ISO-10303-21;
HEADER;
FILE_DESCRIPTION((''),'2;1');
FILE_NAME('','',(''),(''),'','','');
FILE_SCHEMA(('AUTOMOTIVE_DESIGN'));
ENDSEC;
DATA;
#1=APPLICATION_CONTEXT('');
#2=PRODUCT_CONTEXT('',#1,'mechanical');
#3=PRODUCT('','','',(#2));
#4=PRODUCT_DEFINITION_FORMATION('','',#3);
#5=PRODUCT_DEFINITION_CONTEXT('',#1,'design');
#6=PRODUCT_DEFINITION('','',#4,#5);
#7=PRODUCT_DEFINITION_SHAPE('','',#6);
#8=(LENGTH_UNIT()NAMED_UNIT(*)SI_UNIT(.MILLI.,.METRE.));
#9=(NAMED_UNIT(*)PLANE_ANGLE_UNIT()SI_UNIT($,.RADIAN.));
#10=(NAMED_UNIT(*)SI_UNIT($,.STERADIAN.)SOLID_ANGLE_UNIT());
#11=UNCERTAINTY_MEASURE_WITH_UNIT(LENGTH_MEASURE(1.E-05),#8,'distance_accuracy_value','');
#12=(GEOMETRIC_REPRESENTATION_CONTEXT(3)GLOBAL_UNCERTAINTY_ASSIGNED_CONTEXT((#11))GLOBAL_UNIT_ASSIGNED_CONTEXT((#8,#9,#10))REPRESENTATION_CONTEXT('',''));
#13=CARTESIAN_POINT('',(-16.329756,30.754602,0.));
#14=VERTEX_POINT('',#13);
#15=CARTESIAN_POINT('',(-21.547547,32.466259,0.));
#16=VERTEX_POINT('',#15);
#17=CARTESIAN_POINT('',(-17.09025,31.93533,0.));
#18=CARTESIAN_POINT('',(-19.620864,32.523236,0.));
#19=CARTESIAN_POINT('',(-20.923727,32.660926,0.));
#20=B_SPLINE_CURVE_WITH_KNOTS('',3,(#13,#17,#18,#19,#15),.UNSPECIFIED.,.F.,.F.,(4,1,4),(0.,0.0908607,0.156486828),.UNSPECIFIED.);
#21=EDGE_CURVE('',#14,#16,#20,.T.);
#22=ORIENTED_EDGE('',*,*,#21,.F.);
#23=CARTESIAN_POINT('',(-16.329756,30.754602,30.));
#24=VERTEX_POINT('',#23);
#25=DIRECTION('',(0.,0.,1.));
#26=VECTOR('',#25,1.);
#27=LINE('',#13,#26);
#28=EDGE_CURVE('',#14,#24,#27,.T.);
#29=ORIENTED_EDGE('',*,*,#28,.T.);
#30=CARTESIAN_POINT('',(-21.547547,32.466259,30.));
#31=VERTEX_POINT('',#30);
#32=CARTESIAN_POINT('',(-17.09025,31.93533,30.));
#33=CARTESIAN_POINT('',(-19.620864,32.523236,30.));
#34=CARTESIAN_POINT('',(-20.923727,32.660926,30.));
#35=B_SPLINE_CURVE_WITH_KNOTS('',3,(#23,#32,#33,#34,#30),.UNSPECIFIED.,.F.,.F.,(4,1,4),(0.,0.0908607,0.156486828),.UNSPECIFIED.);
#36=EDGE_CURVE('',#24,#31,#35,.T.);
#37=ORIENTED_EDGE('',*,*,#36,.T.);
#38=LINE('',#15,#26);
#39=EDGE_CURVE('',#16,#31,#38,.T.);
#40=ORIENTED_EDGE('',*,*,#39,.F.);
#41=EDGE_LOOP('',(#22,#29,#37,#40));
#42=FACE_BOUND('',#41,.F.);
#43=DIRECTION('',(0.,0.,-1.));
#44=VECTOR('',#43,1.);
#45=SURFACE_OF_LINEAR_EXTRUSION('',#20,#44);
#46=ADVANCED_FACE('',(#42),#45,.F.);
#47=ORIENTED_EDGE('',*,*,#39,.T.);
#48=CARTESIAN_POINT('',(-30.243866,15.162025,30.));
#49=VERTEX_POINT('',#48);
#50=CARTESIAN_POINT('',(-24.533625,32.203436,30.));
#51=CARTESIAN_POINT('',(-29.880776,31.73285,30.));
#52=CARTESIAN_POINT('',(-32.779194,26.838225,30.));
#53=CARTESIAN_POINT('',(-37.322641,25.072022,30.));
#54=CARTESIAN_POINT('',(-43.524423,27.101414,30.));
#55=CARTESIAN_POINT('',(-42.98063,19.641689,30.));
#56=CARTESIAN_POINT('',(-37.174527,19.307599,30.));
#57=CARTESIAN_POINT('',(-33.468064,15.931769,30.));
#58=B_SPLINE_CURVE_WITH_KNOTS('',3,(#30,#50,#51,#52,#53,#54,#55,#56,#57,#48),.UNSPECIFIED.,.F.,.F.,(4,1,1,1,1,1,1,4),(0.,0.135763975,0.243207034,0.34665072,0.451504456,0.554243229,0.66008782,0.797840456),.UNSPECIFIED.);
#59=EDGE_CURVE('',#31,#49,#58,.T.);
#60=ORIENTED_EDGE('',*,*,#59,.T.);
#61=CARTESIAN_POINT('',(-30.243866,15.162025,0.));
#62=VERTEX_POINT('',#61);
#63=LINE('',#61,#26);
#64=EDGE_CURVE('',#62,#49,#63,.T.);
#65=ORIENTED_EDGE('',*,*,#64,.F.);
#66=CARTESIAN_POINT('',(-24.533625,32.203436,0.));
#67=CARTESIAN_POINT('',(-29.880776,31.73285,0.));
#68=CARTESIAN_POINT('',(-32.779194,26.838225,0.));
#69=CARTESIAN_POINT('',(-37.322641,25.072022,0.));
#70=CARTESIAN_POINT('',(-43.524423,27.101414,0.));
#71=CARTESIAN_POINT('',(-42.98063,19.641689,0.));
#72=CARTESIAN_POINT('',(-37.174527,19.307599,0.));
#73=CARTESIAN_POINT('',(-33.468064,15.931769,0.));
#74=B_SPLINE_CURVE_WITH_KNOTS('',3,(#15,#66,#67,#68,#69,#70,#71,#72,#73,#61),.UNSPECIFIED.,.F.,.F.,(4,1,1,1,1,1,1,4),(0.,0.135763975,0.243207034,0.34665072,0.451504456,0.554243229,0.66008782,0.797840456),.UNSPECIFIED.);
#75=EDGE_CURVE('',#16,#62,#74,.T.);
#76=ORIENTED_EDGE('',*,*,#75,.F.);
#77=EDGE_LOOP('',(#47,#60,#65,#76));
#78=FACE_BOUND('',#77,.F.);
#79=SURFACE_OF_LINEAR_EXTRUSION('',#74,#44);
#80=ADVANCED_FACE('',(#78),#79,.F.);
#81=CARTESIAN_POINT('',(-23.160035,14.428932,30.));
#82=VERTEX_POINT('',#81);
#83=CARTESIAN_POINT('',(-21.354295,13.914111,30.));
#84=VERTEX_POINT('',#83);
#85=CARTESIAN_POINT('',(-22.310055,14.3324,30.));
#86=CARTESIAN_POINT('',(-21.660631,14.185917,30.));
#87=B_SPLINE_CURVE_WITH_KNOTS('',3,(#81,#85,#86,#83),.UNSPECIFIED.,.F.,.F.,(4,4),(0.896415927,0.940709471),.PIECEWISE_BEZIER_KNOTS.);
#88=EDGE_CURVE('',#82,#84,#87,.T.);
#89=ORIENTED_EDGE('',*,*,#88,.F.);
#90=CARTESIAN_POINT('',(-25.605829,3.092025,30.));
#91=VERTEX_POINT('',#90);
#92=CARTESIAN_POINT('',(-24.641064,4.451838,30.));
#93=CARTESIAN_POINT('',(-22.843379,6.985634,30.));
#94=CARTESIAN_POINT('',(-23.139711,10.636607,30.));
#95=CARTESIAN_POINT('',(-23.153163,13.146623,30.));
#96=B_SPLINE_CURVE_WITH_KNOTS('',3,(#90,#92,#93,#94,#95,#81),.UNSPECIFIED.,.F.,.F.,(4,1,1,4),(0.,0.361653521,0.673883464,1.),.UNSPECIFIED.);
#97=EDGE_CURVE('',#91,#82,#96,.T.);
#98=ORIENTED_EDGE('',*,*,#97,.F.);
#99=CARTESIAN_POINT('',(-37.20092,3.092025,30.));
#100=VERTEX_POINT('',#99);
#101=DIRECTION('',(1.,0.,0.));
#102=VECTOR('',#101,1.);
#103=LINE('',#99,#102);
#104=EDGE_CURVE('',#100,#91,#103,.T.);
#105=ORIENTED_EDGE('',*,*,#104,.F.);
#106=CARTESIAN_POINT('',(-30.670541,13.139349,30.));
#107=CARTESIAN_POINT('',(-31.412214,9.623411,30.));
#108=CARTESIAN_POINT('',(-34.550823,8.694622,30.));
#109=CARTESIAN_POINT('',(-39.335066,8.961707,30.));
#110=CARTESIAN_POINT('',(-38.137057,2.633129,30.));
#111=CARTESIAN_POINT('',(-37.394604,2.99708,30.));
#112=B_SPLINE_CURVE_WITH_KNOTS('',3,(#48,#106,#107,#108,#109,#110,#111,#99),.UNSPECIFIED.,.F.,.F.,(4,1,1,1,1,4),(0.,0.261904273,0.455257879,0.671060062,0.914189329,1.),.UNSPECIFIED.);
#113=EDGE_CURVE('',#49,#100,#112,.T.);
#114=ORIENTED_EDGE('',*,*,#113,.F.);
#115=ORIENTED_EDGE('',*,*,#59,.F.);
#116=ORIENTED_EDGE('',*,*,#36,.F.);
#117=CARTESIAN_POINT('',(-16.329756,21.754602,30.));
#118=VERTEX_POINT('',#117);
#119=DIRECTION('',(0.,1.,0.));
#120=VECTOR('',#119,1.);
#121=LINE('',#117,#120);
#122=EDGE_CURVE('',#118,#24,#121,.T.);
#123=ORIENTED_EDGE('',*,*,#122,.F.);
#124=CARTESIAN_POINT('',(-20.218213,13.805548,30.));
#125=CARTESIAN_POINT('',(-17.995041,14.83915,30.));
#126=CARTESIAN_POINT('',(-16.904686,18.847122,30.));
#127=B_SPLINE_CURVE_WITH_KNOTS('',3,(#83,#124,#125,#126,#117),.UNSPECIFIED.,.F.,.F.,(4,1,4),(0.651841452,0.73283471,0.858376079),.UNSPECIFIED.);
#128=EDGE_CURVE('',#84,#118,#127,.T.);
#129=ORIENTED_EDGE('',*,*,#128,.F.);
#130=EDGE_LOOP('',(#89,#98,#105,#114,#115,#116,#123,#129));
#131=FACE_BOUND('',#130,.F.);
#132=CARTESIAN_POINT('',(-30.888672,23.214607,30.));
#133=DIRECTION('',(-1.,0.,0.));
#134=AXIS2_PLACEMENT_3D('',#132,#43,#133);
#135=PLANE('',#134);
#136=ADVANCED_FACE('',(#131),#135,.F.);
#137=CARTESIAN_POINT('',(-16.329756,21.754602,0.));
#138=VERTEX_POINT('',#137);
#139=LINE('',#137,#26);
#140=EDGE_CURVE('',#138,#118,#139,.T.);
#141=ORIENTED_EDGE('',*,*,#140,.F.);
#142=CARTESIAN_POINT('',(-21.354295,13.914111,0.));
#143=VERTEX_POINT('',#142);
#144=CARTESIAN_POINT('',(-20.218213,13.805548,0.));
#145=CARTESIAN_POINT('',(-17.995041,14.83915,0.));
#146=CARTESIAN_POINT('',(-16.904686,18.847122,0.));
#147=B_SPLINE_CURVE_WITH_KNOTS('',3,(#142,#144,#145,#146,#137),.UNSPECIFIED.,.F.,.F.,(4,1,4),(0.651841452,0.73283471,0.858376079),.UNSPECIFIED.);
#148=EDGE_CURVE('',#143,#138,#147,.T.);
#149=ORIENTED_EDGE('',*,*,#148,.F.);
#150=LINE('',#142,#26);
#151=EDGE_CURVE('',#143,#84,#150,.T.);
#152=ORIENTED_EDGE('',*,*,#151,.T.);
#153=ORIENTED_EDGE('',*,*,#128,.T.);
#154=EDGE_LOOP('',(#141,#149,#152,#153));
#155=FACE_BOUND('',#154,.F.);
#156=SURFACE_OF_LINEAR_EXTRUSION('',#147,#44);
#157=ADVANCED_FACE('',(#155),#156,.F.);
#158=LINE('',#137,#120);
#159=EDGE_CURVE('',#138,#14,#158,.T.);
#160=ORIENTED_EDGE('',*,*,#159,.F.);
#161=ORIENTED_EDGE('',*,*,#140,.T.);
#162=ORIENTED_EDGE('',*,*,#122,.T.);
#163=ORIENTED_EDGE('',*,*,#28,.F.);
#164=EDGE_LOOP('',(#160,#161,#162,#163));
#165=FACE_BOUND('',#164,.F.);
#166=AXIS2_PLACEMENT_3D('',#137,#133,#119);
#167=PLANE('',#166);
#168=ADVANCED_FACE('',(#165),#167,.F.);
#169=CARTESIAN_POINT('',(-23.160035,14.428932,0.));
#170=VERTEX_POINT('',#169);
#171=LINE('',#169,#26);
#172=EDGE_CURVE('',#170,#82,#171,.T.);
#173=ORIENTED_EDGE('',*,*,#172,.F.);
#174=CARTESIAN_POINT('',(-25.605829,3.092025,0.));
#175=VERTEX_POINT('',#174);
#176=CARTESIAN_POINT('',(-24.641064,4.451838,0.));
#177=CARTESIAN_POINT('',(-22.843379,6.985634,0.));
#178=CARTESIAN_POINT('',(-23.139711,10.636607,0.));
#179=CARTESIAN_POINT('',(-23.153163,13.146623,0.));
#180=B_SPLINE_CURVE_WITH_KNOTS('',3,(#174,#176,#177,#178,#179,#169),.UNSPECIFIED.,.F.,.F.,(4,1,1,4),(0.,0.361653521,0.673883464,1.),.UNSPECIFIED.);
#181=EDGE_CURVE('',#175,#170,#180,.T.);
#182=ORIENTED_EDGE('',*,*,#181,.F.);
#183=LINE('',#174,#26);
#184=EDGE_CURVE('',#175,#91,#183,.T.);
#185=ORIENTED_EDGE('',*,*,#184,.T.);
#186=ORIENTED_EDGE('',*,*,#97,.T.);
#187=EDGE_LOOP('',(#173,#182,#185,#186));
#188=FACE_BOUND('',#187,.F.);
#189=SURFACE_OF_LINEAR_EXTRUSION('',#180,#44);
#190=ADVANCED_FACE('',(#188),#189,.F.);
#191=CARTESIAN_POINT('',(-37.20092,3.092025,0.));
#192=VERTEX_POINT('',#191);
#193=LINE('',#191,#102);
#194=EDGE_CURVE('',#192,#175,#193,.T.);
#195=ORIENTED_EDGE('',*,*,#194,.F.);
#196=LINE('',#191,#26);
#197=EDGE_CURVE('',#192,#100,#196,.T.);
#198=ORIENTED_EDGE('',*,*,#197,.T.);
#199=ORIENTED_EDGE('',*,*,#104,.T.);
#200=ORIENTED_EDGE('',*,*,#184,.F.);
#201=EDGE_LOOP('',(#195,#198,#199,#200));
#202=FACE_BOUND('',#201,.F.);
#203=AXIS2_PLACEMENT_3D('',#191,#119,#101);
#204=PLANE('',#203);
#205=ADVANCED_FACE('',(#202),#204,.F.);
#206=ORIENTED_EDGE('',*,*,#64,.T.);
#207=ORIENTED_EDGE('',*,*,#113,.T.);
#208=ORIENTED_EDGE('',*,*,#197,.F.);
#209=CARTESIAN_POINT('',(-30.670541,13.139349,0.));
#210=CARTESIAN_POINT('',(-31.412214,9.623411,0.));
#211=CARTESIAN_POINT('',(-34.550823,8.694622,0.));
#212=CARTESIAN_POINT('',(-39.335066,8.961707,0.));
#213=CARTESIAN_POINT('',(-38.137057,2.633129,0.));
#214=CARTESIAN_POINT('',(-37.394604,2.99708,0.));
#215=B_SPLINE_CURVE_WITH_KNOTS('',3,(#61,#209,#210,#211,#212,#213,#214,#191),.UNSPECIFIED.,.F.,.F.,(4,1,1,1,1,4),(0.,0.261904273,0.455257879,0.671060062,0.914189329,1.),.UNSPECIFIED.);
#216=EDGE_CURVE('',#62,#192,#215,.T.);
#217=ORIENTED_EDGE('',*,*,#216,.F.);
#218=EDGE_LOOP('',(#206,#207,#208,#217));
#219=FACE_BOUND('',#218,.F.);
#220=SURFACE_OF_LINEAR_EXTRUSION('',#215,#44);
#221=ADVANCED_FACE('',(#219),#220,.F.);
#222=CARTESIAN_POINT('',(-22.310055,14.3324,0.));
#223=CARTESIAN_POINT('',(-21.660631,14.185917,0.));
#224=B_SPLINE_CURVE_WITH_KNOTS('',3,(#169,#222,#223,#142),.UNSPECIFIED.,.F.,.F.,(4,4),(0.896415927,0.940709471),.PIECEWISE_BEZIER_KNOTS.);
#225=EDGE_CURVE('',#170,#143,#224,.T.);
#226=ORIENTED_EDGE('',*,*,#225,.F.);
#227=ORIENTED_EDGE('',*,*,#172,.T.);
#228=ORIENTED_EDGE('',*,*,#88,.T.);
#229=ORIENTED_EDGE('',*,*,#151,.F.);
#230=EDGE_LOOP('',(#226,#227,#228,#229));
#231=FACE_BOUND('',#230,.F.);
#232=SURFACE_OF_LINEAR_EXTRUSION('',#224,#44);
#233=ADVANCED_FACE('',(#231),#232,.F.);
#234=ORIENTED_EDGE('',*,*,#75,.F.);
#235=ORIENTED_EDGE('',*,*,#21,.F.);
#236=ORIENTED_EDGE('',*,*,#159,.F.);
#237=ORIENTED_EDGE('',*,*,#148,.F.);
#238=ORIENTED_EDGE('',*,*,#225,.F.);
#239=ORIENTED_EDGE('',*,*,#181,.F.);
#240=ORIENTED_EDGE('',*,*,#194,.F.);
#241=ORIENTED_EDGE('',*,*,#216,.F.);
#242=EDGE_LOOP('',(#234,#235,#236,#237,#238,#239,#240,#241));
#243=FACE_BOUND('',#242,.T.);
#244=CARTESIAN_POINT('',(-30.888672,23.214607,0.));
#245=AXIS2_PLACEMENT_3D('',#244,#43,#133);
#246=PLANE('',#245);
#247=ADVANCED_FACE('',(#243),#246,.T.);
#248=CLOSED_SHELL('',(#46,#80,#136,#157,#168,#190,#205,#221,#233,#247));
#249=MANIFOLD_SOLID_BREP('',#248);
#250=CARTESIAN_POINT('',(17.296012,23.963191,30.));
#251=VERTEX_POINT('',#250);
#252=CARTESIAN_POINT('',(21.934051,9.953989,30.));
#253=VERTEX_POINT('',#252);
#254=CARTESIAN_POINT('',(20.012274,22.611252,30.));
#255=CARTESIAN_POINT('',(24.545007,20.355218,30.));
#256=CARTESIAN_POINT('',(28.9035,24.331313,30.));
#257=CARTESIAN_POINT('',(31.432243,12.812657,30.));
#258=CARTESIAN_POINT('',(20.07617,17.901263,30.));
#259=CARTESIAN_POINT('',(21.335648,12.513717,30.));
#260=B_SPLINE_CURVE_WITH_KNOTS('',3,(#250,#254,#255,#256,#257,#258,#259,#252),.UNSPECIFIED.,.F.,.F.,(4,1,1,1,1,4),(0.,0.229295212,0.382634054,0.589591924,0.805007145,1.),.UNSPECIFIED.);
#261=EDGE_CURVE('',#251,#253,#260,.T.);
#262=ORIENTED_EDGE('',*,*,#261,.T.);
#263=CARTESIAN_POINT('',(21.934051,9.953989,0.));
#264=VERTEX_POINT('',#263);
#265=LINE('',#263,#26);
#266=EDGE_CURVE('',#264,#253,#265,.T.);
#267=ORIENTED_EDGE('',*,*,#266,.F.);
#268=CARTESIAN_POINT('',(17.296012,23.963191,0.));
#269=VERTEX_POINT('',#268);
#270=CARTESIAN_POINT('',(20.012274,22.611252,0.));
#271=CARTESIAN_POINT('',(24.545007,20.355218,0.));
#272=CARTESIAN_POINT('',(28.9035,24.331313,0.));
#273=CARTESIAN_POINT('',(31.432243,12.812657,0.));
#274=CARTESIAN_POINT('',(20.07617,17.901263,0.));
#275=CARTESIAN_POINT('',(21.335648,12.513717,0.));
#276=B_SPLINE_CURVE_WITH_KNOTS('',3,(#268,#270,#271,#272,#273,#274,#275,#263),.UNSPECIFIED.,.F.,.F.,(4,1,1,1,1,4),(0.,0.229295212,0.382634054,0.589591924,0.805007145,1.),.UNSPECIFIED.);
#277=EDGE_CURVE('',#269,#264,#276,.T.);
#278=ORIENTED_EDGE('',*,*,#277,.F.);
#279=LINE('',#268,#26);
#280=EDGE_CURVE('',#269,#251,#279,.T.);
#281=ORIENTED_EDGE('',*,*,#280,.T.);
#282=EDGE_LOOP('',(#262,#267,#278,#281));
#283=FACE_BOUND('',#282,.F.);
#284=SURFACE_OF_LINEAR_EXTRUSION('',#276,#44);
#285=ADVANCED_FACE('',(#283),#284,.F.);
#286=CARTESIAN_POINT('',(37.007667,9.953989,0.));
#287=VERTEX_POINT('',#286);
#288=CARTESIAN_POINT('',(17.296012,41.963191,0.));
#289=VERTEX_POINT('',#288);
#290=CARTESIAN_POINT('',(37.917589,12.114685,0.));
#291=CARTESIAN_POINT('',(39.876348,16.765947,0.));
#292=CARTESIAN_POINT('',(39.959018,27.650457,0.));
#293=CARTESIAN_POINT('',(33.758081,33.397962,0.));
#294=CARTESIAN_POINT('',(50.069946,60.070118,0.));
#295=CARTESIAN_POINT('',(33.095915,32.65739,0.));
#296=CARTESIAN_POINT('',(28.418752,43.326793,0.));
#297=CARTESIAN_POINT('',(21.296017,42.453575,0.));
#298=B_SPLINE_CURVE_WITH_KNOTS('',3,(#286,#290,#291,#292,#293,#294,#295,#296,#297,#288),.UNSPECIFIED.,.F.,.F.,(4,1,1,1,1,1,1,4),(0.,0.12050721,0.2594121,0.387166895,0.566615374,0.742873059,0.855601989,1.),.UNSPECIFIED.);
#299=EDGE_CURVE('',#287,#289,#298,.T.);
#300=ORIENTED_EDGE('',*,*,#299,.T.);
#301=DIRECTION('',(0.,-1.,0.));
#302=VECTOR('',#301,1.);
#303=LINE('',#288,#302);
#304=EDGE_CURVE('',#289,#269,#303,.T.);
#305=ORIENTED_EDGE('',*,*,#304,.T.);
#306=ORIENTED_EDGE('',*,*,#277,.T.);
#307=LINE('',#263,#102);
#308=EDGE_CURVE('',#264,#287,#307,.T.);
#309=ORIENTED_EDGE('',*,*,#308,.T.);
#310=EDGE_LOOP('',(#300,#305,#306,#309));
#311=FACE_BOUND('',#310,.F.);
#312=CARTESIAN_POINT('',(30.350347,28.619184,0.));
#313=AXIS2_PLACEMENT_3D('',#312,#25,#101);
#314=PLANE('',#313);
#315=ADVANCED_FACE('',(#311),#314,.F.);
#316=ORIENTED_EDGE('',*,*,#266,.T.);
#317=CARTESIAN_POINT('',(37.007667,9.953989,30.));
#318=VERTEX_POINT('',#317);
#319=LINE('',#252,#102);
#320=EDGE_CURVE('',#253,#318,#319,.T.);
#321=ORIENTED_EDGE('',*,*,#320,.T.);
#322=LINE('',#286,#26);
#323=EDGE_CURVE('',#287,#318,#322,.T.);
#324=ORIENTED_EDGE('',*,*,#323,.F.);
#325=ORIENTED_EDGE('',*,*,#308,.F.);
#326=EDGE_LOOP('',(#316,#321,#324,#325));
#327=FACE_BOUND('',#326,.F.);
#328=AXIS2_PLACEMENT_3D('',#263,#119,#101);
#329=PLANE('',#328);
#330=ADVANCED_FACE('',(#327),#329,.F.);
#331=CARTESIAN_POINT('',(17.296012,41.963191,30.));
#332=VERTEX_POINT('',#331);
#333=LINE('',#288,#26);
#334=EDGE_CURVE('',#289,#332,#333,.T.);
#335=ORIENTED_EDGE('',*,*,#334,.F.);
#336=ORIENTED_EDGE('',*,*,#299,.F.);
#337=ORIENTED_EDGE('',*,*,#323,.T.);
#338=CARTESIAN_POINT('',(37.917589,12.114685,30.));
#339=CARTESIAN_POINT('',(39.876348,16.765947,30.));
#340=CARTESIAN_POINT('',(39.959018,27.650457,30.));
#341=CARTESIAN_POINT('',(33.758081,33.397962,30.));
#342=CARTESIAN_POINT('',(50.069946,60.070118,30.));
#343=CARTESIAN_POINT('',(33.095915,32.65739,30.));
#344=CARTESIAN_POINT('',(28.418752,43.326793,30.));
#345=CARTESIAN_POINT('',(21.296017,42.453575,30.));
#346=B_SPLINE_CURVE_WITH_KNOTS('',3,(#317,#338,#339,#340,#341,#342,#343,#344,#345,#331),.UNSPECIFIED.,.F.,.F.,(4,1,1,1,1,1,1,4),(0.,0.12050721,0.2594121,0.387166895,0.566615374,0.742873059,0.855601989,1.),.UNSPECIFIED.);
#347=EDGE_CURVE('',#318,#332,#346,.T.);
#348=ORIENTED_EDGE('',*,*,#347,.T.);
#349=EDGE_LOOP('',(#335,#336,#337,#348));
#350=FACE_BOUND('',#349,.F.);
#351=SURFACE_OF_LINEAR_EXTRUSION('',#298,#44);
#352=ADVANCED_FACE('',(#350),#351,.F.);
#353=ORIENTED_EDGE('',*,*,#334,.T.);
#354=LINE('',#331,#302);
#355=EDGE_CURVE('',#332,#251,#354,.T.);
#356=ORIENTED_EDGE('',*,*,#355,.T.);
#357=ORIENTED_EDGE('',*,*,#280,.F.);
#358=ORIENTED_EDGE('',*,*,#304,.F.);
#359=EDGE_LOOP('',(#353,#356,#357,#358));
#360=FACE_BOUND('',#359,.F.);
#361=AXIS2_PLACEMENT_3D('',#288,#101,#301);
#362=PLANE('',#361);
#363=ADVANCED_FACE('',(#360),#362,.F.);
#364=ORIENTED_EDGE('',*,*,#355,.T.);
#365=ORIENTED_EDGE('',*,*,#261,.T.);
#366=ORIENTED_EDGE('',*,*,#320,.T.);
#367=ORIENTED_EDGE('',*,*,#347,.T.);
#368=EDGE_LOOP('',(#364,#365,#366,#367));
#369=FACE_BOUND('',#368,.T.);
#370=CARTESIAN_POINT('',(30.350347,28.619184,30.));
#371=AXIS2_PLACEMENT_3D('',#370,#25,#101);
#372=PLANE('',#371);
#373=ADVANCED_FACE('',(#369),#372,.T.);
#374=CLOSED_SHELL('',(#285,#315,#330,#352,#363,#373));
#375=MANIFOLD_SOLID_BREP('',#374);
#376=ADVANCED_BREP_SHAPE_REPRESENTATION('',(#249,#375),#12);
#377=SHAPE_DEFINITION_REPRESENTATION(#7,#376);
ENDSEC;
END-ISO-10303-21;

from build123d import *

# Parameters (mm, degrees)
F2_DEPTH = 30
F3_DEPTH = 30


with BuildPart() as f2:
    # F1 (on Top) → F2 (new body)
    with BuildSketch(Plane.XY):
        with BuildLine():
            add(Edge.make_bspline(
                [(37.0076671243, 9.9539892003), (37.9175886164, 12.1146848995), (39.8763481432, 16.7659469284), (39.9590176124, 27.6504573191), (33.7580814145, 33.3979621242), (50.0699459042, 60.0701179371), (33.095915406, 32.6573904435), (28.4187519932, 43.3267933517), (21.2960166058, 42.4535748911), (17.296012491, 41.9631906152)],
                knots=[0, 0, 0, 0, 0.1205072096, 0.2594120998, 0.3871668949, 0.5666153744, 0.742873059, 0.8556019891, 1, 1, 1, 1], degree=3))
            Line((17.296012491, 41.9631906152), (17.296012491, 23.9631906152))
            add(Edge.make_bspline(
                [(17.296012491, 23.9631906152), (20.0122736858, 22.6112520056), (24.5450069429, 20.3552181937), (28.9034998463, 24.3313131247), (31.432242702, 12.8126568368), (20.0761697061, 17.9012629525), (21.3356483018, 12.5137170103), (21.9340510666, 9.9539892003)],
                knots=[0, 0, 0, 0, 0.229295212, 0.3826340542, 0.5895919236, 0.8050071446, 1, 1, 1, 1], degree=3))
            Line((21.9340510666, 9.9539892003), (37.0076671243, 9.9539892003))
        make_face()
    extrude(amount=F2_DEPTH)


with BuildPart() as f3:
    # F0 (on Top) → F3 (new body)
    with BuildSketch(Plane.XY):
        with BuildLine():
            add(Edge.make_bspline(
                [(-21.5475466102, 32.4662588537), (-22.2888866108, 32.2349192702), (-24.2464417713, 30.8823069643), (-24.6953554051, 26.1124563828), (-26.1362004522, 21.2231436019), (-26.5405540801, 16.6927466993), (-24.1409904143, 14.8783482321), (-23.1600351959, 14.4289317055)],
                knots=[0.1564868276, 0.1564868276, 0.1564868276, 0.1564868276, 0.2344760984, 0.335948607, 0.4450906712, 0.5469342906, 0.6115797149, 0.6115797149, 0.6115797149, 0.6115797149], degree=3))
            add(Edge.make_bspline(
                [(-21.5475466102, 32.4662588537), (-24.5336247449, 32.2034363132), (-29.8807755924, 31.7328495951), (-32.7791935338, 26.8382250868), (-37.3226405867, 25.0720223983), (-43.5244226997, 27.1014139523), (-42.9806296382, 19.6416894129), (-37.1745272751, 19.3075990242), (-33.4680644468, 15.9317694322), (-30.2438661456, 15.1620247082)],
                knots=[0, 0, 0, 0, 0.1357639755, 0.2432070338, 0.3466507203, 0.4515044556, 0.5542432293, 0.6600878203, 0.7978404564, 0.7978404564, 0.7978404564, 0.7978404564], degree=3))
            add(Edge.make_bspline(
                [(-30.2438661456, 15.1620247082), (-27.9366372323, 14.6111971482), (-25.051670431, 14.6437643942), (-23.1600351959, 14.4289317055)],
                knots=[0.7978404564, 0.7978404564, 0.7978404564, 0.7978404564, 0.896415927, 0.896415927, 0.896415927, 0.896415927], degree=3))
        make_face()
        with BuildLine():
            Line((-16.3297560066, 21.7546023577), (-16.3297560066, 30.7546023577))
            add(Edge.make_bspline(
                [(-16.3297560066, 30.7546023577), (-17.0902502413, 31.9353296109), (-19.6208639345, 32.5232364267), (-20.9237265297, 32.6609256429), (-21.5475466102, 32.4662588537)],
                knots=[0, 0, 0, 0, 0.0908607004, 0.1564868276, 0.1564868276, 0.1564868276, 0.1564868276], degree=3))
            add(Edge.make_bspline(
                [(-21.5475466102, 32.4662588537), (-22.2888866108, 32.2349192702), (-24.2464417713, 30.8823069643), (-24.6953554051, 26.1124563828), (-26.1362004522, 21.2231436019), (-26.5405540801, 16.6927466993), (-24.1409904143, 14.8783482321), (-23.1600351959, 14.4289317055)],
                knots=[0.1564868276, 0.1564868276, 0.1564868276, 0.1564868276, 0.2344760984, 0.335948607, 0.4450906712, 0.5469342906, 0.6115797149, 0.6115797149, 0.6115797149, 0.6115797149], degree=3))
            add(Edge.make_bspline(
                [(-23.1600351959, 14.4289317055), (-22.3100546935, 14.3323995659), (-21.660630983, 14.1859165953), (-21.3542953134, 13.9141110703)],
                knots=[0.896415927, 0.896415927, 0.896415927, 0.896415927, 0.9407094707, 0.9407094707, 0.9407094707, 0.9407094707], degree=3))
            add(Edge.make_bspline(
                [(-21.3542953134, 13.9141110703), (-20.2182134486, 13.805548486), (-17.9950406075, 14.8391499606), (-16.904685637, 18.8471224035), (-16.3297560066, 21.7546023577)],
                knots=[0.651841452, 0.651841452, 0.651841452, 0.651841452, 0.7328347102, 0.8583760794, 0.8583760794, 0.8583760794, 0.8583760794], degree=3))
        make_face()
        with BuildLine():
            add(Edge.make_bspline(
                [(-25.6058294326, 3.0920247082), (-24.641064362, 4.4518383968), (-22.8433790374, 6.9856336043), (-23.1397111625, 10.6366070039), (-23.1531629745, 13.1466225074), (-23.1600351959, 14.4289317055)],
                knots=[0, 0, 0, 0, 0.3616535212, 0.673883464, 1, 1, 1, 1], degree=3))
            add(Edge.make_bspline(
                [(-30.2438661456, 15.1620247082), (-27.9366372323, 14.6111971482), (-25.051670431, 14.6437643942), (-23.1600351959, 14.4289317055)],
                knots=[0.7978404564, 0.7978404564, 0.7978404564, 0.7978404564, 0.896415927, 0.896415927, 0.896415927, 0.896415927], degree=3))
            add(Edge.make_bspline(
                [(-30.2438661456, 15.1620247082), (-30.6705414096, 13.1393488274), (-31.4122142101, 9.6234110375), (-34.5508232338, 8.6946216226), (-39.3350656426, 8.9617073518), (-38.1370566686, 2.6331286133), (-37.3946041252, 2.9970804672), (-37.2009202838, 3.0920247082)],
                knots=[0, 0, 0, 0, 0.2619042731, 0.4552578789, 0.6710600617, 0.9141893291, 1, 1, 1, 1], degree=3))
            Line((-37.2009202838, 3.0920247082), (-25.6058294326, 3.0920247082))
        make_face()
    extrude(amount=F3_DEPTH)


solid = Compound([f2.part, f3.part])
